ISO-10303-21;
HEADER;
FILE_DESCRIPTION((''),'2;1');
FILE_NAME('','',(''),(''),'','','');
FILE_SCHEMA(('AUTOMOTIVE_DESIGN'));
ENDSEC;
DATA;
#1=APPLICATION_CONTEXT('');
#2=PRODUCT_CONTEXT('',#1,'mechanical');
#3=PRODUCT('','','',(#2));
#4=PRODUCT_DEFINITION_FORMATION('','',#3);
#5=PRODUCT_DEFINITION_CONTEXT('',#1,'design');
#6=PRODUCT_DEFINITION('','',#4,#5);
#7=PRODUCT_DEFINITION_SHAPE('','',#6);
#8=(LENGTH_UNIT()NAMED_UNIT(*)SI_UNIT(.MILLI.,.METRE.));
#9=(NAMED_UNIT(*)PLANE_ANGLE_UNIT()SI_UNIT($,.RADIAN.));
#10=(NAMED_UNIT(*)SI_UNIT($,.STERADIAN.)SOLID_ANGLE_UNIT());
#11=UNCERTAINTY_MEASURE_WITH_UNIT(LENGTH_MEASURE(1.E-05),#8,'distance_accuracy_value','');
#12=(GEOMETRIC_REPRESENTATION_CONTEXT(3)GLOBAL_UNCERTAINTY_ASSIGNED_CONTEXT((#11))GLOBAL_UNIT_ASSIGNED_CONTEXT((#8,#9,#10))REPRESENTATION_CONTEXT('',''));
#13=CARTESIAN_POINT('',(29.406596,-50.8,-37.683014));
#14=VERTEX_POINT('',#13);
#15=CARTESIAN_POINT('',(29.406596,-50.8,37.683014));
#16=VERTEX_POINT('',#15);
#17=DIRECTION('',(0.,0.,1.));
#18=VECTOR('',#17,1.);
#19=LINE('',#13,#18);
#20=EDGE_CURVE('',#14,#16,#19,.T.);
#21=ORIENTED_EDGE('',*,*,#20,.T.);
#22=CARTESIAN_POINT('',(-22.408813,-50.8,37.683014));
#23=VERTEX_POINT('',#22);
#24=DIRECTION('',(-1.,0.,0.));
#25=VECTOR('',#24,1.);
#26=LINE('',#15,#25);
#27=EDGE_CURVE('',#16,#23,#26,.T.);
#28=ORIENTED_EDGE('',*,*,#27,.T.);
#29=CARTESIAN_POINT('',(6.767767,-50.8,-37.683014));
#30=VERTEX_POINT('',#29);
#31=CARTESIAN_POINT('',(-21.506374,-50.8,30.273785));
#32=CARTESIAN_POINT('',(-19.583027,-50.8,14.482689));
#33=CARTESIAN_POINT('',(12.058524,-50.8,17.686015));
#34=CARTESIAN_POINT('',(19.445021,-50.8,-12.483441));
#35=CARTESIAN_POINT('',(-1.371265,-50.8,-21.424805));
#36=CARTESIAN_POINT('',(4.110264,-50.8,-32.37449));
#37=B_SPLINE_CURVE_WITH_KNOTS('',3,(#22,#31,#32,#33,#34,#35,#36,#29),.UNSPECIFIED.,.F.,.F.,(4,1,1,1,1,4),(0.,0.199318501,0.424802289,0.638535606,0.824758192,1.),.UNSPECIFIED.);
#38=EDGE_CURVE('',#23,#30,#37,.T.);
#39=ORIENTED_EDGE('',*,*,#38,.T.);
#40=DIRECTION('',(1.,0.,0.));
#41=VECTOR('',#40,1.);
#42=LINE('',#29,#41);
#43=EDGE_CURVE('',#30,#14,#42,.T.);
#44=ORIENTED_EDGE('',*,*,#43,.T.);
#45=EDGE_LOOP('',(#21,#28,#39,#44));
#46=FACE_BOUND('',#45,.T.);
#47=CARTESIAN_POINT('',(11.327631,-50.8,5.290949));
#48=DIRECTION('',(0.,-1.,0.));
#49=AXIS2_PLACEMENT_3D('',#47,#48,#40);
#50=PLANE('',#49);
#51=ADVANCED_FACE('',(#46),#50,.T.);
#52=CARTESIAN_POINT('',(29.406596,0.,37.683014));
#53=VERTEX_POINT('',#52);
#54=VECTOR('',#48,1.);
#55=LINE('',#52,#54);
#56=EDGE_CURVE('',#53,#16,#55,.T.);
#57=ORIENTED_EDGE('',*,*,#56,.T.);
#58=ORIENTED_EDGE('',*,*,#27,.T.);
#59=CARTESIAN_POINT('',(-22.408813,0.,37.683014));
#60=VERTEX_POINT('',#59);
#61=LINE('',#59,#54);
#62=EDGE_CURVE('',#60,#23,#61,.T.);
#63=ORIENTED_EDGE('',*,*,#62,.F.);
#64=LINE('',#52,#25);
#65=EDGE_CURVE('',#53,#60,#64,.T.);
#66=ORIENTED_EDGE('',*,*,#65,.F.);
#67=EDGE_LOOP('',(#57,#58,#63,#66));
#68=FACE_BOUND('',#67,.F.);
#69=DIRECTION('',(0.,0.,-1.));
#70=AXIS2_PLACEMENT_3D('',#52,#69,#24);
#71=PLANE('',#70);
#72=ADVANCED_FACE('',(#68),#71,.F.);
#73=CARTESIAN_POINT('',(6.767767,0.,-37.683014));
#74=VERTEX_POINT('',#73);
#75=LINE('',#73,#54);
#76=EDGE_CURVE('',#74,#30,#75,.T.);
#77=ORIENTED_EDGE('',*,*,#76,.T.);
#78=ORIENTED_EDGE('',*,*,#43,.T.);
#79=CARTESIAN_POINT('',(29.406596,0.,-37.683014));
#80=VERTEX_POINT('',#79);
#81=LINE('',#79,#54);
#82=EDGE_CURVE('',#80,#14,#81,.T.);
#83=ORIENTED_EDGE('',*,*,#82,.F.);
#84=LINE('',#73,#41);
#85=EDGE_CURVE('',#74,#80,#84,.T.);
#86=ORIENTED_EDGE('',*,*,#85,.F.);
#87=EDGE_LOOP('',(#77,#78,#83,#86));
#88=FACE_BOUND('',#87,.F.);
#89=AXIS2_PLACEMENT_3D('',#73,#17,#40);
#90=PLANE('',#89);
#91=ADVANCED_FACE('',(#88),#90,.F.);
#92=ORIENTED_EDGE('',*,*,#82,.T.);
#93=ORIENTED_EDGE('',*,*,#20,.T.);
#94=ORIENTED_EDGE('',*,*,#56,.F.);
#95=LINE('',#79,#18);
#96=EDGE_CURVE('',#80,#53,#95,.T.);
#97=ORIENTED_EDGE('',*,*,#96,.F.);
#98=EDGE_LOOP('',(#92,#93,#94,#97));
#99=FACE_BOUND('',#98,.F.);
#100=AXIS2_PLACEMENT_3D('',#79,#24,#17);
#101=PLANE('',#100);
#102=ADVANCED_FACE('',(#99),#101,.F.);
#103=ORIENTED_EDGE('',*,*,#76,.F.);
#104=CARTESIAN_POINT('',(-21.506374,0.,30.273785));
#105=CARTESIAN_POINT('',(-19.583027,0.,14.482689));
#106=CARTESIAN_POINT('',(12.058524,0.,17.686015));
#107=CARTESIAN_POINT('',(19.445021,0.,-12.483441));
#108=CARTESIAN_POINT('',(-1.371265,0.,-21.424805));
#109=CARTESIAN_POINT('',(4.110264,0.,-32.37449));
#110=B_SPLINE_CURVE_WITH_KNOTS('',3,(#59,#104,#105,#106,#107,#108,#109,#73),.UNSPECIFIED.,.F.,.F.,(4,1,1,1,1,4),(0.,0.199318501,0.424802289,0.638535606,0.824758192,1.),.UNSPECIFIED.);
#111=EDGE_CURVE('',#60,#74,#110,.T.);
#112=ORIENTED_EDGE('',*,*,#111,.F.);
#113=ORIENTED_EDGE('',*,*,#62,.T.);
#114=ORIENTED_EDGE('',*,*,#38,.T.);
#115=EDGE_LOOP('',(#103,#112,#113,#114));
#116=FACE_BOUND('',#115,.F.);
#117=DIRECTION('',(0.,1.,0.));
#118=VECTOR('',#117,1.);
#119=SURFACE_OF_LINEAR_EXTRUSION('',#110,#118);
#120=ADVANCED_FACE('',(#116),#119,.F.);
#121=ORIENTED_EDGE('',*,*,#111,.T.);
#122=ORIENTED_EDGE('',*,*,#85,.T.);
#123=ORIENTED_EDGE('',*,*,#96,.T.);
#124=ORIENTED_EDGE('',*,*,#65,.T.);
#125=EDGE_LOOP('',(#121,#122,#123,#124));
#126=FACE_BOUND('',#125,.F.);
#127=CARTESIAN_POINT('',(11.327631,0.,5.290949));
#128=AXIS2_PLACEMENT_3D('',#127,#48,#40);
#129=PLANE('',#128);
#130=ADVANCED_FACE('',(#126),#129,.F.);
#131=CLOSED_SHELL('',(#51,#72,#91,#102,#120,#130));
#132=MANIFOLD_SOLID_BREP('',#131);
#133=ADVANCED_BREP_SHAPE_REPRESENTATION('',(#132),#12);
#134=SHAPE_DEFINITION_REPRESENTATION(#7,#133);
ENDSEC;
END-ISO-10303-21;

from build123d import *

# Parameters (mm, degrees)
F1_DEPTH = 50.8


with BuildPart() as f1:
    # F0 (on Front) → F1 (new body)
    with BuildSketch(Plane.XZ):
        with BuildLine():
            Line((29.4065959752, -37.6830138266), (29.4065959752, 37.6830138266))
            Line((29.4065959752, 37.6830138266), (-22.4088132381, 37.6830138266))
            add(Edge.make_bspline(
                [(-22.4088132381, 37.6830138266), (-21.5063735298, 30.2737847301), (-19.5830274674, 14.4826892399), (12.0585235163, 17.6860149966), (19.4450206318, -12.48344068), (-1.3712648597, -21.4248051366), (4.110263736, -32.3744895847), (6.7677674815, -37.6830138266)],
                knots=[0, 0, 0, 0, 0.1993185008, 0.4248022889, 0.6385356057, 0.824758192, 1, 1, 1, 1], degree=3))
            Line((6.7677674815, -37.6830138266), (29.4065959752, -37.6830138266))
        make_face()
    extrude(amount=F1_DEPTH)


solid = f1.part
